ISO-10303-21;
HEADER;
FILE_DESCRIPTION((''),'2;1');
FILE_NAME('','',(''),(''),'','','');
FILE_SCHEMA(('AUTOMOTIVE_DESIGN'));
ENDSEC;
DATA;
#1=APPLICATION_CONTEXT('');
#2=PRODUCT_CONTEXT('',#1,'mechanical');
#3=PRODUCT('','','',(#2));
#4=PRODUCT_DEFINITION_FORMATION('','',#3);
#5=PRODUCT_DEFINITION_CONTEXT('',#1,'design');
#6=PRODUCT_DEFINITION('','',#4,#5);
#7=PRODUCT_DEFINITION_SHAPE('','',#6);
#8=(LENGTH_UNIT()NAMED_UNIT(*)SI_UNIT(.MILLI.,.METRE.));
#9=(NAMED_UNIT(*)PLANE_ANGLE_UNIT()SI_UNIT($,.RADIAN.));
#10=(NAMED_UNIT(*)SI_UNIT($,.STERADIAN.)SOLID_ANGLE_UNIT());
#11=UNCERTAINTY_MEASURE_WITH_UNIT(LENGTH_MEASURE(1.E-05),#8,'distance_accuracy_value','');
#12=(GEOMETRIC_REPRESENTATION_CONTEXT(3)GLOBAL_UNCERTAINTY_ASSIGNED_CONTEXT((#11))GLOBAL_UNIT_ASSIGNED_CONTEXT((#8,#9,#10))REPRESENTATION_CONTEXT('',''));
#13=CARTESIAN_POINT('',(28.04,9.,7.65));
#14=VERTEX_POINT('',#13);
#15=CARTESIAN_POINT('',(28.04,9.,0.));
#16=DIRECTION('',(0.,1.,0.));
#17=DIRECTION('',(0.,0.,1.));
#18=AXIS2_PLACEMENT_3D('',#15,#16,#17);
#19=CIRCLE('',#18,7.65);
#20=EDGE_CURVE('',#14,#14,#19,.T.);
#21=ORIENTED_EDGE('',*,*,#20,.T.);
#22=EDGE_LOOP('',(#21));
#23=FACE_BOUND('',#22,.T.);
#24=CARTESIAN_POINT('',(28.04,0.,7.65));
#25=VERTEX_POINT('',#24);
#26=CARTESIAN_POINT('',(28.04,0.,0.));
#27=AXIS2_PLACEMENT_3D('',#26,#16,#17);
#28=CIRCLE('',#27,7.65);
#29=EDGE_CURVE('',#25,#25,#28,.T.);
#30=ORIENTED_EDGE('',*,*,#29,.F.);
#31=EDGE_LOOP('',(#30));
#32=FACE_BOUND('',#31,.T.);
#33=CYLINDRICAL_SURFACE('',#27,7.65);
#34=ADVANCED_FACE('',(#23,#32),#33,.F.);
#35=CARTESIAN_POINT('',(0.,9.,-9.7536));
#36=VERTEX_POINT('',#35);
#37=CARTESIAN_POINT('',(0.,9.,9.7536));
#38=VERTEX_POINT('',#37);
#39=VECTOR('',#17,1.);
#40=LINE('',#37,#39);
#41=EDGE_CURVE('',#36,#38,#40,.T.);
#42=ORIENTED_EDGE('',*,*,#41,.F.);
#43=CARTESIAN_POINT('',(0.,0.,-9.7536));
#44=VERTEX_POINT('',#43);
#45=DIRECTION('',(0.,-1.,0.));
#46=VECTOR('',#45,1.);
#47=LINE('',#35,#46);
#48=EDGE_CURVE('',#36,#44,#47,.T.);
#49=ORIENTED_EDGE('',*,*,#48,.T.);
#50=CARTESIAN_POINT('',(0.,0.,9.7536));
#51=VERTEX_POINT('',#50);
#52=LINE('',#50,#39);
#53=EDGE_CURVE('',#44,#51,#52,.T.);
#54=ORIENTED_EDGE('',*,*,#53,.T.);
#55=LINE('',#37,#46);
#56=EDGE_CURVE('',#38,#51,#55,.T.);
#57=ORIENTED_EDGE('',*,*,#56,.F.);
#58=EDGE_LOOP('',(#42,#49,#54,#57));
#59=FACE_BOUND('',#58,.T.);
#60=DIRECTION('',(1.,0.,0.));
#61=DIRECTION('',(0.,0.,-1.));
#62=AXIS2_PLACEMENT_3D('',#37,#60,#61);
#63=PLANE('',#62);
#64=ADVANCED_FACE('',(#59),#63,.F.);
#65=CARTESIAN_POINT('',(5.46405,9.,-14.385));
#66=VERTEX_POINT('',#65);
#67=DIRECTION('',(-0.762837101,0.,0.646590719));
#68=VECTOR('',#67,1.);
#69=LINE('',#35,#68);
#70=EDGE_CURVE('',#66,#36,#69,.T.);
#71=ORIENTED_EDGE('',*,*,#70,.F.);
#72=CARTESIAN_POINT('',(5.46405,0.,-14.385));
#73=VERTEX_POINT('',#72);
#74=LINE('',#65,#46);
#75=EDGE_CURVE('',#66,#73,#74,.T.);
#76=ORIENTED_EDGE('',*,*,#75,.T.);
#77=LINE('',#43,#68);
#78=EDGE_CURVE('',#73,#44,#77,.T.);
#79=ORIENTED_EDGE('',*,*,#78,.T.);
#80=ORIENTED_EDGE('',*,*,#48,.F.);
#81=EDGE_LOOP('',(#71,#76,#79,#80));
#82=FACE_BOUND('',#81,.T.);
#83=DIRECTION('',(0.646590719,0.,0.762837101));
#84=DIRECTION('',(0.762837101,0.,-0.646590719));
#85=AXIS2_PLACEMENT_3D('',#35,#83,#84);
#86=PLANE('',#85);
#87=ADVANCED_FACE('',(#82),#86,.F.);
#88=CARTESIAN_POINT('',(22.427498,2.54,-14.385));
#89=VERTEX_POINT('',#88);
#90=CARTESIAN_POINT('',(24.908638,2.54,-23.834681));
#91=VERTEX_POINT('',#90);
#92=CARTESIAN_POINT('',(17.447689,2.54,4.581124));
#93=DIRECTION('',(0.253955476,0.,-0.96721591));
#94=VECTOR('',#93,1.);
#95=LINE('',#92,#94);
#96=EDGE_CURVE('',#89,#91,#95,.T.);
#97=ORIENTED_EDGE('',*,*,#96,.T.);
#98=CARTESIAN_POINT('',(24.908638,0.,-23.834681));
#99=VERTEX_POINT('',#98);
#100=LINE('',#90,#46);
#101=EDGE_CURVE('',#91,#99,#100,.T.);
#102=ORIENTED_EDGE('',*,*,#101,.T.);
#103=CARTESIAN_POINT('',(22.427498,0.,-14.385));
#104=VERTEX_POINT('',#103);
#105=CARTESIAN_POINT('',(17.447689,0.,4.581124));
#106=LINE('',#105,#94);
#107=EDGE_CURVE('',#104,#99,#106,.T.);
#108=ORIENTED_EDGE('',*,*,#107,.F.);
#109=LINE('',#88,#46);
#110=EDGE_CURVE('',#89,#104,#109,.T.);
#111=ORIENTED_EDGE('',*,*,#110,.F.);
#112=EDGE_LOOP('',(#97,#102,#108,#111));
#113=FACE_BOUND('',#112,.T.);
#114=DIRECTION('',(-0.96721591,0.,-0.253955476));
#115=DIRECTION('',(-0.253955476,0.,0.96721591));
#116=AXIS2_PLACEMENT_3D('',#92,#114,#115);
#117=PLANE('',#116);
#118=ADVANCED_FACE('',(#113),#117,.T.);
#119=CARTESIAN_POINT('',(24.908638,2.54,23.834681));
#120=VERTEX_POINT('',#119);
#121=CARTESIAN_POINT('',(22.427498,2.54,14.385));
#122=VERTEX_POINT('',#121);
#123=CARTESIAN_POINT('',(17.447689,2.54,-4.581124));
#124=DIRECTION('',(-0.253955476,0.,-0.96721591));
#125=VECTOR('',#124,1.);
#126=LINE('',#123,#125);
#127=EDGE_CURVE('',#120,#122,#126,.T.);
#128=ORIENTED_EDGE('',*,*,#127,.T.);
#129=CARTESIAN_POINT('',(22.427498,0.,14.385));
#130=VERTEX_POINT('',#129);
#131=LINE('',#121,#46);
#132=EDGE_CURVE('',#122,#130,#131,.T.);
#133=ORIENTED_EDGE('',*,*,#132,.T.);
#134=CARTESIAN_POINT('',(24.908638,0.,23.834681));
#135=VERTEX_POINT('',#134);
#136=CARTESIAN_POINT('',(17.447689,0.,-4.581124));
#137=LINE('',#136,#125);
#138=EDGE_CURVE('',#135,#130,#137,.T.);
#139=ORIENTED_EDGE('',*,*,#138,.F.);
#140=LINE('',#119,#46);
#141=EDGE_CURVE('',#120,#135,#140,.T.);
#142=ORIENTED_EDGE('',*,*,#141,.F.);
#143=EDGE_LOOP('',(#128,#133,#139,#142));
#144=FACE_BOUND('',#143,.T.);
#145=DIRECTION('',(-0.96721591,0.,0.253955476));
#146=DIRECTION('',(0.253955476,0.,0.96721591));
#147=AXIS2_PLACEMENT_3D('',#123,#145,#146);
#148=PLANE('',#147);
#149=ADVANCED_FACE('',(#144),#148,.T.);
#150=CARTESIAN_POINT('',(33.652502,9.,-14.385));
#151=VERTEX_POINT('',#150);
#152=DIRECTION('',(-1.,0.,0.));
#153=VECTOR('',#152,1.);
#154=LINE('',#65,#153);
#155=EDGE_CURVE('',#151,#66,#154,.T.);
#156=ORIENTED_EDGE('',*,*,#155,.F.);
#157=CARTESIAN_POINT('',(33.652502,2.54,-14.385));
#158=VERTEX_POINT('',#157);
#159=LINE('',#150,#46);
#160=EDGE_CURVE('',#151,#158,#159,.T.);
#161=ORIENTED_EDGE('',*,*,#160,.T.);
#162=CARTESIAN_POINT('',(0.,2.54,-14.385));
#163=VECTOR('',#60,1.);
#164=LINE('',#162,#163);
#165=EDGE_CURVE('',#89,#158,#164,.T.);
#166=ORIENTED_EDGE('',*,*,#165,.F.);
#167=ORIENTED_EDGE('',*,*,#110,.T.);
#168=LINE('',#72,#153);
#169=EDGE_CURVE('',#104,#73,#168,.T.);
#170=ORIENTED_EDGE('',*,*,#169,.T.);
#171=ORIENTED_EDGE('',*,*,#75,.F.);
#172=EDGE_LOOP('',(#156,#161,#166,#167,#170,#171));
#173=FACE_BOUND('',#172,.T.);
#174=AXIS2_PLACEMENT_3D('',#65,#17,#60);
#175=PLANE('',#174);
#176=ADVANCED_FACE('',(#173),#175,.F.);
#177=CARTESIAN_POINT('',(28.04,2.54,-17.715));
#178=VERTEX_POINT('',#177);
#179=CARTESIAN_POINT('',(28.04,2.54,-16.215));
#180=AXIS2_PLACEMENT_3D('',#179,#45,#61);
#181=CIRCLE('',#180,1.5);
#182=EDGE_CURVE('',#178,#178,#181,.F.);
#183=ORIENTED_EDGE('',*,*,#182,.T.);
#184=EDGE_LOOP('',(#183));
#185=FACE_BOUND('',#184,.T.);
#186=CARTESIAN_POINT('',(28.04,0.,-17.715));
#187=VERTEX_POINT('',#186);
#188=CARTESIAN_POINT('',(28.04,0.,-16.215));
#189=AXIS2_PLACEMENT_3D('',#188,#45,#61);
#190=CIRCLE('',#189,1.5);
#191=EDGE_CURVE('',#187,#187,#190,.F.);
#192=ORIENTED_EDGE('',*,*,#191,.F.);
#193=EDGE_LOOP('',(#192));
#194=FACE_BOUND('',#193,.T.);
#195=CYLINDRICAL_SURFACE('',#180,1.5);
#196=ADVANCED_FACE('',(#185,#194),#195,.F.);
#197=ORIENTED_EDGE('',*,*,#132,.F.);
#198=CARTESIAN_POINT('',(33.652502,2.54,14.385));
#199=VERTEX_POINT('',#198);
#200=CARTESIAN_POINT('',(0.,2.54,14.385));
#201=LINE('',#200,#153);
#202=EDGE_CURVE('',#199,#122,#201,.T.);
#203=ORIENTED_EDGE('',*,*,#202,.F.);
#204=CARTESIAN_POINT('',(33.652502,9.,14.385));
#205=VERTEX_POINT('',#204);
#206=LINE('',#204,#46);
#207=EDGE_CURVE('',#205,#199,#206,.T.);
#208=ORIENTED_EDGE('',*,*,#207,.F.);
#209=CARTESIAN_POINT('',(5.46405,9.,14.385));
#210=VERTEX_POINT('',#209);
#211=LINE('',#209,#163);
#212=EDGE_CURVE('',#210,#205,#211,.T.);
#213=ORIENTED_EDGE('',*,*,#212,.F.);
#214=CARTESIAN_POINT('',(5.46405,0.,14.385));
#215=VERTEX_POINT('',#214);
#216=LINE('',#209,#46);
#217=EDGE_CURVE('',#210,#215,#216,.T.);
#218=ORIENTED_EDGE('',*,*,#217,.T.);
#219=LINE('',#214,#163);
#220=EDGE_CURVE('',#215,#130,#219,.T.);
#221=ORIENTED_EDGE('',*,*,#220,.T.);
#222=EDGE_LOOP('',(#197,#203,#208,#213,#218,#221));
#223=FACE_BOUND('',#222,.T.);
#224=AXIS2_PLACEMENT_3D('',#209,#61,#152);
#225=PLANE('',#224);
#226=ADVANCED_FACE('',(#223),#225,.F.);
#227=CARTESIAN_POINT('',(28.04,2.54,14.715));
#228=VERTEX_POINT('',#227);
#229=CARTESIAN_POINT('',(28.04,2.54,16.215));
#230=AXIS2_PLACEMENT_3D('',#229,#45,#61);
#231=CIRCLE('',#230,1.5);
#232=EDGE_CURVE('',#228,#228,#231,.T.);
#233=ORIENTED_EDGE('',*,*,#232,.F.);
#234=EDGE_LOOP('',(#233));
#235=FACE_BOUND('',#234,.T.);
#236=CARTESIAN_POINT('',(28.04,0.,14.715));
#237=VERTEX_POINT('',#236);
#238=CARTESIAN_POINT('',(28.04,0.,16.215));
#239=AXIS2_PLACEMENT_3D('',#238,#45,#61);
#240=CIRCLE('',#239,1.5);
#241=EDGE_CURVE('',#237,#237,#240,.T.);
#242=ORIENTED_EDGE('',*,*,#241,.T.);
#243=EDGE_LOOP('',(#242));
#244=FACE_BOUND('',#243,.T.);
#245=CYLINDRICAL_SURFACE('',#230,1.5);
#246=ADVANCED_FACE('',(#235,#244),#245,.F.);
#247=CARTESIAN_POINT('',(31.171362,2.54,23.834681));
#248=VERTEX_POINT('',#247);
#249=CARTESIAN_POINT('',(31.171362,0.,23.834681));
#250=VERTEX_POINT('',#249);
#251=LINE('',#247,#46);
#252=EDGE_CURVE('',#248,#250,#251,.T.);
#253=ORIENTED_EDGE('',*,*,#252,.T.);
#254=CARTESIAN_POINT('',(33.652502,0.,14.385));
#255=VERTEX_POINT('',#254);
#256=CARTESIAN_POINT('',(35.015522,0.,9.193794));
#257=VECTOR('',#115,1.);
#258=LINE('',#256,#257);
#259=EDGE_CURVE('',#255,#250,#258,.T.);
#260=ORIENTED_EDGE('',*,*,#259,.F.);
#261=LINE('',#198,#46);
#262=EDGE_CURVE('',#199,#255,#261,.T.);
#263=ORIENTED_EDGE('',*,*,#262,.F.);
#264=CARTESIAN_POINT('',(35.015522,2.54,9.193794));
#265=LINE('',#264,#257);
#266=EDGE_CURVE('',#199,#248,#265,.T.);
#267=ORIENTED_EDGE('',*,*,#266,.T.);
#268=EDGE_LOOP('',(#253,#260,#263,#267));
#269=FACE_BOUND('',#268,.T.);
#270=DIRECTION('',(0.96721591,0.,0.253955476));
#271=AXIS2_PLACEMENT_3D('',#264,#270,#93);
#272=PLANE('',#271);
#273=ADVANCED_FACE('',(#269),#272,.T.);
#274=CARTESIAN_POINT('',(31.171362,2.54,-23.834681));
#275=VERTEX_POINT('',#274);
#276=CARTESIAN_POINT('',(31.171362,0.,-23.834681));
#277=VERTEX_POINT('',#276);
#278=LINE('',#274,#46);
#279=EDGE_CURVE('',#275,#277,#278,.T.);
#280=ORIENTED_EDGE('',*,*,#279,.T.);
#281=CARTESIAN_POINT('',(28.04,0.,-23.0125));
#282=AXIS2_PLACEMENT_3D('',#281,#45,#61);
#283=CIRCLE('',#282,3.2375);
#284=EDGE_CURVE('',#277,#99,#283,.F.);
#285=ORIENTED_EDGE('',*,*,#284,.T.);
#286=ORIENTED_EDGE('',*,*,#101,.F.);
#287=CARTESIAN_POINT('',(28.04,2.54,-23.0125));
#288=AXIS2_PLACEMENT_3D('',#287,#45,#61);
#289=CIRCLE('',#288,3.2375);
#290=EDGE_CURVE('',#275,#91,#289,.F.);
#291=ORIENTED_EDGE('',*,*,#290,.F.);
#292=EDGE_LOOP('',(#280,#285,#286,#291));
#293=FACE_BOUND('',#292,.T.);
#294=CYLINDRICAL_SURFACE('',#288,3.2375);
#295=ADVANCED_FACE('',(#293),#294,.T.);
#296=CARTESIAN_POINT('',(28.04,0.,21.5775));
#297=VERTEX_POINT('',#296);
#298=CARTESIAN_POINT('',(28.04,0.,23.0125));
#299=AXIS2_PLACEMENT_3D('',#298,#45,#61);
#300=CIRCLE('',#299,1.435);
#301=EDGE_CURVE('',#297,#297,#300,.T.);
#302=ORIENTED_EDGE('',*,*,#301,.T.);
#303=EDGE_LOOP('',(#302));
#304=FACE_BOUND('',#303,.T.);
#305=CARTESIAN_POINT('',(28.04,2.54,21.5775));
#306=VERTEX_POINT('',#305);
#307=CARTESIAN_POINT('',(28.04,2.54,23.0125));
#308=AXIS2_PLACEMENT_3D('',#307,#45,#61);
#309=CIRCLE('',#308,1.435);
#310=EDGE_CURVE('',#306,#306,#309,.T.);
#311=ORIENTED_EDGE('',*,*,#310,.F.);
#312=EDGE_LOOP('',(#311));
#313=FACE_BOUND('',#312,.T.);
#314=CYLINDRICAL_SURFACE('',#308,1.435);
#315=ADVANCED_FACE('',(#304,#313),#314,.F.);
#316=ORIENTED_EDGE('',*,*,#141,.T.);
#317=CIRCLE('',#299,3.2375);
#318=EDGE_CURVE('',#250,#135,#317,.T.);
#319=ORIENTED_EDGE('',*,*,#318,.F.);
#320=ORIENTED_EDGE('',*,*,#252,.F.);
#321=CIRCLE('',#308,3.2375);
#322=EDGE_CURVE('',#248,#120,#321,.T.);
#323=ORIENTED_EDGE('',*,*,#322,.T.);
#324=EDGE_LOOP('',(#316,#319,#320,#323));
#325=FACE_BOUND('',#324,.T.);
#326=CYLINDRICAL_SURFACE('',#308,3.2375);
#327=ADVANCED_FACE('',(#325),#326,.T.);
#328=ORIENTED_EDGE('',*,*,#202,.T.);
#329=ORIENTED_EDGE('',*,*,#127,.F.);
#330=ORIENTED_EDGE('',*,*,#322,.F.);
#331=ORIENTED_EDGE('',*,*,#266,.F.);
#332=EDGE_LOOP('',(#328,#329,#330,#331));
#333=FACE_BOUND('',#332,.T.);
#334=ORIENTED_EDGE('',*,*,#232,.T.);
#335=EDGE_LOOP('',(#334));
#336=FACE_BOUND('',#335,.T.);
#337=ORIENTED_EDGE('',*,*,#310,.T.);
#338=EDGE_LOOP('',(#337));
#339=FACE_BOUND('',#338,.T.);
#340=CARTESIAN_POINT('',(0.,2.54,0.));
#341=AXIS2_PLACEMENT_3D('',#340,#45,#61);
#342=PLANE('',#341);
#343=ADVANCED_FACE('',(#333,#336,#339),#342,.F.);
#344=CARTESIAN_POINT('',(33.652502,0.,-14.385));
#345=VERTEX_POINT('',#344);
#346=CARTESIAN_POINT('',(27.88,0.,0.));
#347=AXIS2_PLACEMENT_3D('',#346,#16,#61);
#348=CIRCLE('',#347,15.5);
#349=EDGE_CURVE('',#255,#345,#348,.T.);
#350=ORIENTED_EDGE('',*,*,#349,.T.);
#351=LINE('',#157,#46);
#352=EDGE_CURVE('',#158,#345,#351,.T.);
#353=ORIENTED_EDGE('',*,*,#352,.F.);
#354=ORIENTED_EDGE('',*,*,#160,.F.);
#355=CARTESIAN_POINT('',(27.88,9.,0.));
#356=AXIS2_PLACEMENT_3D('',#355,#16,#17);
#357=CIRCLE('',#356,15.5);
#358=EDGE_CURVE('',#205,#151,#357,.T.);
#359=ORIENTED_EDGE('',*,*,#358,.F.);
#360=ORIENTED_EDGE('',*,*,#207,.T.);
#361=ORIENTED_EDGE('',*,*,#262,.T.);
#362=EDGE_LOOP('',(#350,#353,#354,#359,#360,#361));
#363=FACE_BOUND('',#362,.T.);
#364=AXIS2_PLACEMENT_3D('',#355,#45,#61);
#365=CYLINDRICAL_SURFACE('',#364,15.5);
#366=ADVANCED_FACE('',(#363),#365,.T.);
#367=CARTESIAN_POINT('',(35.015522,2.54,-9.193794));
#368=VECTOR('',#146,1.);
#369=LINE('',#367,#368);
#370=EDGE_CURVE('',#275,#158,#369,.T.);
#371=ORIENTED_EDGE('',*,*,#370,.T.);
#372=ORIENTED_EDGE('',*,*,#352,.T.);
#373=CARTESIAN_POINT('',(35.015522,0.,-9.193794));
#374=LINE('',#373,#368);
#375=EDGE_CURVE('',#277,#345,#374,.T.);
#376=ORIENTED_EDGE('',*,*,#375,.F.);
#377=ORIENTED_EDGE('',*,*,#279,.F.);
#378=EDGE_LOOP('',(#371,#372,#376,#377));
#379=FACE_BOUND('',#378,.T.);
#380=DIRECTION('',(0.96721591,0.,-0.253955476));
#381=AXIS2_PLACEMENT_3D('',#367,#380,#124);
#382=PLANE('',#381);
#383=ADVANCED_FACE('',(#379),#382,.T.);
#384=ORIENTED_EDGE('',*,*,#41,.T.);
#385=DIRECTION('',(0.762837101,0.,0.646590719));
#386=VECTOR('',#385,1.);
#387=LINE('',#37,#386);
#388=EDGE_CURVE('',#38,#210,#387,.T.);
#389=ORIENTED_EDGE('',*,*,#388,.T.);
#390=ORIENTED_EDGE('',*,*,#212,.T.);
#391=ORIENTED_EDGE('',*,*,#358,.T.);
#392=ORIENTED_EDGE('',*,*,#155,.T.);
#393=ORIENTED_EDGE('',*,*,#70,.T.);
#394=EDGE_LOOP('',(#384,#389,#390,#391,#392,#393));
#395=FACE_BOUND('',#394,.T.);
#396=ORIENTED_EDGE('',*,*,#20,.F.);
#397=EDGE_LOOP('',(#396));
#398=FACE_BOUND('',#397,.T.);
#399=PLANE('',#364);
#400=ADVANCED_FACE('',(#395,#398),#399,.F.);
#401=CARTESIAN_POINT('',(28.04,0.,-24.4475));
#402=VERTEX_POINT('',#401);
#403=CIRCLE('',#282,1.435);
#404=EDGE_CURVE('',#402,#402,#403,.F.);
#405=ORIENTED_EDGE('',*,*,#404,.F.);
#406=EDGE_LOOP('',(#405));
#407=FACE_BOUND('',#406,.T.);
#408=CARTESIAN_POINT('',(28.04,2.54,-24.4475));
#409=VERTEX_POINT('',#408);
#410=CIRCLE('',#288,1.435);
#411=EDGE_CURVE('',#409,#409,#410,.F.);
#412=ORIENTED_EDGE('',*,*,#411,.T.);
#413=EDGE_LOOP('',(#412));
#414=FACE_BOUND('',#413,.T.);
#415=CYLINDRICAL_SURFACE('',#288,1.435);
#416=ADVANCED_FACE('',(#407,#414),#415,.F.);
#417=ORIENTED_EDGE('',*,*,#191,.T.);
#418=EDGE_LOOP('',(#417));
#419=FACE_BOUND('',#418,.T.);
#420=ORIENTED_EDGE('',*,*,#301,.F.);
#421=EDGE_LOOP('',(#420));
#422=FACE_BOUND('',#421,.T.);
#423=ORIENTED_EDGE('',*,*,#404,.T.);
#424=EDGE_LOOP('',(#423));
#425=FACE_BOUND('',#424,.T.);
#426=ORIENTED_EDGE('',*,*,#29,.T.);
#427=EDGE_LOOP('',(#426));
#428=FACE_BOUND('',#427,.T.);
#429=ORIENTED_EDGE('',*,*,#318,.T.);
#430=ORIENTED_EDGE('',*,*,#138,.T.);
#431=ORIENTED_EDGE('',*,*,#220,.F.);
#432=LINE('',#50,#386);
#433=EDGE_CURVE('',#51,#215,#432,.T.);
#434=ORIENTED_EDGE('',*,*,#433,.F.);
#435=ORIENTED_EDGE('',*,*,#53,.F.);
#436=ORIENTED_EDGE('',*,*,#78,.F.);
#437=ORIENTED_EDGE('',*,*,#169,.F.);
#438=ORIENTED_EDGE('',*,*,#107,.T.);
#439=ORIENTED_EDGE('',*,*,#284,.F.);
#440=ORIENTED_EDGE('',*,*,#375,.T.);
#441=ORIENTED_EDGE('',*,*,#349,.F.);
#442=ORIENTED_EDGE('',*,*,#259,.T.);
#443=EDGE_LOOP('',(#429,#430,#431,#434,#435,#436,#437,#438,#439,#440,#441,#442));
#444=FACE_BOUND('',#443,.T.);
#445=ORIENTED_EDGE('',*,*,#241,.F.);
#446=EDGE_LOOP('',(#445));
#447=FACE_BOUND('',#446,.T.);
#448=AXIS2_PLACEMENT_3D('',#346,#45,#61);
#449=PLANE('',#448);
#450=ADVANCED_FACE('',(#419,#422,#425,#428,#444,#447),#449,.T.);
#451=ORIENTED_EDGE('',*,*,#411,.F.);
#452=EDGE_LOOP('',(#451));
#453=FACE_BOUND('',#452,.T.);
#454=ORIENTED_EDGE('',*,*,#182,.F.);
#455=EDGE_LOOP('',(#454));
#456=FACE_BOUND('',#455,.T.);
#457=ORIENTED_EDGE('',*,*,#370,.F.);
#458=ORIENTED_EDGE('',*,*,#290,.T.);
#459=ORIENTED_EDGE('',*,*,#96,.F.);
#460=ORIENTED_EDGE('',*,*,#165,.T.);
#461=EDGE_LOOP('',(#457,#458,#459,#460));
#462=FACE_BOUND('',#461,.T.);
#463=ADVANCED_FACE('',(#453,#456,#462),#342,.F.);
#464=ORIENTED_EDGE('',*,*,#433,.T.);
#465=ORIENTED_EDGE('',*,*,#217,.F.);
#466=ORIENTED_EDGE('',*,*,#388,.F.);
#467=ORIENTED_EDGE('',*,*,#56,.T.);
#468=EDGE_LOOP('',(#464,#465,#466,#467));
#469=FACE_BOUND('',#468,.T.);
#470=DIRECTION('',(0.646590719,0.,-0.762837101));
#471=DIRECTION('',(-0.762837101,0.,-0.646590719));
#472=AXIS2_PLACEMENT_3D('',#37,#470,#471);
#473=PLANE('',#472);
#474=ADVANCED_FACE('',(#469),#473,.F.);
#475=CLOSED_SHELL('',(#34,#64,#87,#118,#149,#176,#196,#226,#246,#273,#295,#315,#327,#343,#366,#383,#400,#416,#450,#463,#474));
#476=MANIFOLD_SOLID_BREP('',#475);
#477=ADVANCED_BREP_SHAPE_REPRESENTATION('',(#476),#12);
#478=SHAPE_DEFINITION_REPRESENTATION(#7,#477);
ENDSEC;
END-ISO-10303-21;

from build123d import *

# Parameters (mm, degrees)
BOSS_EXTRUDE1_DEPTH = 9
SKETCH2_R           = 1.435
SKETCH2_R_2         = 1.5
BOSS_EXTRUDE2_DEPTH = 2.54
SKETCH3_R           = 7.65
CUT_EXTRUDE1_DEPTH  = 52.496474637


with BuildPart() as part:
    # Sketch1 → Boss-Extrude1 (new body)
    with BuildSketch(Plane(origin=(0, 0, 0), x_dir=(1, 0, 0), z_dir=(0, 1, 0))):
        with BuildLine():
            Line((0, -9.7536), (0, 9.7536))
            Line((0, 9.7536), (5.464049586, 14.385))
            Line((5.464049586, 14.385), (33.652501624, 14.385))
            ThreePointArc((33.652501624, 14.385), (40.719855435, 8.682632804), (43.38, 0))
            ThreePointArc((43.38, 0), (40.719855435, -8.682632804), (33.652501624, -14.385))
            Line((33.652501624, -14.385), (5.464049586, -14.385))
            Line((5.464049586, -14.385), (0, -9.7536))
        make_face()
    extrude(amount=BOSS_EXTRUDE1_DEPTH)

    # Sketch2 → Boss-Extrude2 (add)
    # profile 1 of 2: a face of its own
    with BuildSketch(Plane.XZ):
        with BuildLine():
            Line((31.171361508, -23.834680852), (33.652501624, -14.385))
            Line((33.652501624, -14.385), (22.427498376, -14.385))
            Line((22.427498376, -14.385), (24.908638492, -23.834680852))
            ThreePointArc((24.908638492, -23.834680852), (28.04, -26.25), (31.171361508, -23.834680852))
        make_face()
        with Locations(Location((28.04, -23.0125, 0), (0, 0, 270))):
            Circle(SKETCH2_R, mode=Mode.SUBTRACT)
        with Locations(Location((28.04, -16.215, 0), (0, 0, 270))):
            Circle(SKETCH2_R_2, mode=Mode.SUBTRACT)
    # profile 2 of 2: a face of its own
    with BuildSketch(Plane.XZ):
        with BuildLine():
            Line((22.427498376, 14.385), (33.652501624, 14.385))
            Line((33.652501624, 14.385), (31.171361508, 23.834680852))
            ThreePointArc((31.171361508, 23.834680852), (28.04, 26.25), (24.908638492, 23.834680852))
            Line((24.908638492, 23.834680852), (22.427498376, 14.385))
        make_face()
        with Locations(Location((28.04, 16.215, 0), (0, 0, 270))):
            Circle(SKETCH2_R_2, mode=Mode.SUBTRACT)
        with Locations(Location((28.04, 23.0125, 0), (0, 0, 270))):
            Circle(SKETCH2_R, mode=Mode.SUBTRACT)
    extrude(amount=-BOSS_EXTRUDE2_DEPTH)

    # Sketch3 → Cut-Extrude1 (cut, through all)
    with BuildSketch(Plane(origin=(0, 9, 0), x_dir=(1, 0, 0), z_dir=(0, 1, 0))):
        with Locations(Location((28.04, 0, 0), (0, 0, 270))):
            Circle(SKETCH3_R)
    extrude(amount=-CUT_EXTRUDE1_DEPTH, mode=Mode.SUBTRACT)


solid = part.part
